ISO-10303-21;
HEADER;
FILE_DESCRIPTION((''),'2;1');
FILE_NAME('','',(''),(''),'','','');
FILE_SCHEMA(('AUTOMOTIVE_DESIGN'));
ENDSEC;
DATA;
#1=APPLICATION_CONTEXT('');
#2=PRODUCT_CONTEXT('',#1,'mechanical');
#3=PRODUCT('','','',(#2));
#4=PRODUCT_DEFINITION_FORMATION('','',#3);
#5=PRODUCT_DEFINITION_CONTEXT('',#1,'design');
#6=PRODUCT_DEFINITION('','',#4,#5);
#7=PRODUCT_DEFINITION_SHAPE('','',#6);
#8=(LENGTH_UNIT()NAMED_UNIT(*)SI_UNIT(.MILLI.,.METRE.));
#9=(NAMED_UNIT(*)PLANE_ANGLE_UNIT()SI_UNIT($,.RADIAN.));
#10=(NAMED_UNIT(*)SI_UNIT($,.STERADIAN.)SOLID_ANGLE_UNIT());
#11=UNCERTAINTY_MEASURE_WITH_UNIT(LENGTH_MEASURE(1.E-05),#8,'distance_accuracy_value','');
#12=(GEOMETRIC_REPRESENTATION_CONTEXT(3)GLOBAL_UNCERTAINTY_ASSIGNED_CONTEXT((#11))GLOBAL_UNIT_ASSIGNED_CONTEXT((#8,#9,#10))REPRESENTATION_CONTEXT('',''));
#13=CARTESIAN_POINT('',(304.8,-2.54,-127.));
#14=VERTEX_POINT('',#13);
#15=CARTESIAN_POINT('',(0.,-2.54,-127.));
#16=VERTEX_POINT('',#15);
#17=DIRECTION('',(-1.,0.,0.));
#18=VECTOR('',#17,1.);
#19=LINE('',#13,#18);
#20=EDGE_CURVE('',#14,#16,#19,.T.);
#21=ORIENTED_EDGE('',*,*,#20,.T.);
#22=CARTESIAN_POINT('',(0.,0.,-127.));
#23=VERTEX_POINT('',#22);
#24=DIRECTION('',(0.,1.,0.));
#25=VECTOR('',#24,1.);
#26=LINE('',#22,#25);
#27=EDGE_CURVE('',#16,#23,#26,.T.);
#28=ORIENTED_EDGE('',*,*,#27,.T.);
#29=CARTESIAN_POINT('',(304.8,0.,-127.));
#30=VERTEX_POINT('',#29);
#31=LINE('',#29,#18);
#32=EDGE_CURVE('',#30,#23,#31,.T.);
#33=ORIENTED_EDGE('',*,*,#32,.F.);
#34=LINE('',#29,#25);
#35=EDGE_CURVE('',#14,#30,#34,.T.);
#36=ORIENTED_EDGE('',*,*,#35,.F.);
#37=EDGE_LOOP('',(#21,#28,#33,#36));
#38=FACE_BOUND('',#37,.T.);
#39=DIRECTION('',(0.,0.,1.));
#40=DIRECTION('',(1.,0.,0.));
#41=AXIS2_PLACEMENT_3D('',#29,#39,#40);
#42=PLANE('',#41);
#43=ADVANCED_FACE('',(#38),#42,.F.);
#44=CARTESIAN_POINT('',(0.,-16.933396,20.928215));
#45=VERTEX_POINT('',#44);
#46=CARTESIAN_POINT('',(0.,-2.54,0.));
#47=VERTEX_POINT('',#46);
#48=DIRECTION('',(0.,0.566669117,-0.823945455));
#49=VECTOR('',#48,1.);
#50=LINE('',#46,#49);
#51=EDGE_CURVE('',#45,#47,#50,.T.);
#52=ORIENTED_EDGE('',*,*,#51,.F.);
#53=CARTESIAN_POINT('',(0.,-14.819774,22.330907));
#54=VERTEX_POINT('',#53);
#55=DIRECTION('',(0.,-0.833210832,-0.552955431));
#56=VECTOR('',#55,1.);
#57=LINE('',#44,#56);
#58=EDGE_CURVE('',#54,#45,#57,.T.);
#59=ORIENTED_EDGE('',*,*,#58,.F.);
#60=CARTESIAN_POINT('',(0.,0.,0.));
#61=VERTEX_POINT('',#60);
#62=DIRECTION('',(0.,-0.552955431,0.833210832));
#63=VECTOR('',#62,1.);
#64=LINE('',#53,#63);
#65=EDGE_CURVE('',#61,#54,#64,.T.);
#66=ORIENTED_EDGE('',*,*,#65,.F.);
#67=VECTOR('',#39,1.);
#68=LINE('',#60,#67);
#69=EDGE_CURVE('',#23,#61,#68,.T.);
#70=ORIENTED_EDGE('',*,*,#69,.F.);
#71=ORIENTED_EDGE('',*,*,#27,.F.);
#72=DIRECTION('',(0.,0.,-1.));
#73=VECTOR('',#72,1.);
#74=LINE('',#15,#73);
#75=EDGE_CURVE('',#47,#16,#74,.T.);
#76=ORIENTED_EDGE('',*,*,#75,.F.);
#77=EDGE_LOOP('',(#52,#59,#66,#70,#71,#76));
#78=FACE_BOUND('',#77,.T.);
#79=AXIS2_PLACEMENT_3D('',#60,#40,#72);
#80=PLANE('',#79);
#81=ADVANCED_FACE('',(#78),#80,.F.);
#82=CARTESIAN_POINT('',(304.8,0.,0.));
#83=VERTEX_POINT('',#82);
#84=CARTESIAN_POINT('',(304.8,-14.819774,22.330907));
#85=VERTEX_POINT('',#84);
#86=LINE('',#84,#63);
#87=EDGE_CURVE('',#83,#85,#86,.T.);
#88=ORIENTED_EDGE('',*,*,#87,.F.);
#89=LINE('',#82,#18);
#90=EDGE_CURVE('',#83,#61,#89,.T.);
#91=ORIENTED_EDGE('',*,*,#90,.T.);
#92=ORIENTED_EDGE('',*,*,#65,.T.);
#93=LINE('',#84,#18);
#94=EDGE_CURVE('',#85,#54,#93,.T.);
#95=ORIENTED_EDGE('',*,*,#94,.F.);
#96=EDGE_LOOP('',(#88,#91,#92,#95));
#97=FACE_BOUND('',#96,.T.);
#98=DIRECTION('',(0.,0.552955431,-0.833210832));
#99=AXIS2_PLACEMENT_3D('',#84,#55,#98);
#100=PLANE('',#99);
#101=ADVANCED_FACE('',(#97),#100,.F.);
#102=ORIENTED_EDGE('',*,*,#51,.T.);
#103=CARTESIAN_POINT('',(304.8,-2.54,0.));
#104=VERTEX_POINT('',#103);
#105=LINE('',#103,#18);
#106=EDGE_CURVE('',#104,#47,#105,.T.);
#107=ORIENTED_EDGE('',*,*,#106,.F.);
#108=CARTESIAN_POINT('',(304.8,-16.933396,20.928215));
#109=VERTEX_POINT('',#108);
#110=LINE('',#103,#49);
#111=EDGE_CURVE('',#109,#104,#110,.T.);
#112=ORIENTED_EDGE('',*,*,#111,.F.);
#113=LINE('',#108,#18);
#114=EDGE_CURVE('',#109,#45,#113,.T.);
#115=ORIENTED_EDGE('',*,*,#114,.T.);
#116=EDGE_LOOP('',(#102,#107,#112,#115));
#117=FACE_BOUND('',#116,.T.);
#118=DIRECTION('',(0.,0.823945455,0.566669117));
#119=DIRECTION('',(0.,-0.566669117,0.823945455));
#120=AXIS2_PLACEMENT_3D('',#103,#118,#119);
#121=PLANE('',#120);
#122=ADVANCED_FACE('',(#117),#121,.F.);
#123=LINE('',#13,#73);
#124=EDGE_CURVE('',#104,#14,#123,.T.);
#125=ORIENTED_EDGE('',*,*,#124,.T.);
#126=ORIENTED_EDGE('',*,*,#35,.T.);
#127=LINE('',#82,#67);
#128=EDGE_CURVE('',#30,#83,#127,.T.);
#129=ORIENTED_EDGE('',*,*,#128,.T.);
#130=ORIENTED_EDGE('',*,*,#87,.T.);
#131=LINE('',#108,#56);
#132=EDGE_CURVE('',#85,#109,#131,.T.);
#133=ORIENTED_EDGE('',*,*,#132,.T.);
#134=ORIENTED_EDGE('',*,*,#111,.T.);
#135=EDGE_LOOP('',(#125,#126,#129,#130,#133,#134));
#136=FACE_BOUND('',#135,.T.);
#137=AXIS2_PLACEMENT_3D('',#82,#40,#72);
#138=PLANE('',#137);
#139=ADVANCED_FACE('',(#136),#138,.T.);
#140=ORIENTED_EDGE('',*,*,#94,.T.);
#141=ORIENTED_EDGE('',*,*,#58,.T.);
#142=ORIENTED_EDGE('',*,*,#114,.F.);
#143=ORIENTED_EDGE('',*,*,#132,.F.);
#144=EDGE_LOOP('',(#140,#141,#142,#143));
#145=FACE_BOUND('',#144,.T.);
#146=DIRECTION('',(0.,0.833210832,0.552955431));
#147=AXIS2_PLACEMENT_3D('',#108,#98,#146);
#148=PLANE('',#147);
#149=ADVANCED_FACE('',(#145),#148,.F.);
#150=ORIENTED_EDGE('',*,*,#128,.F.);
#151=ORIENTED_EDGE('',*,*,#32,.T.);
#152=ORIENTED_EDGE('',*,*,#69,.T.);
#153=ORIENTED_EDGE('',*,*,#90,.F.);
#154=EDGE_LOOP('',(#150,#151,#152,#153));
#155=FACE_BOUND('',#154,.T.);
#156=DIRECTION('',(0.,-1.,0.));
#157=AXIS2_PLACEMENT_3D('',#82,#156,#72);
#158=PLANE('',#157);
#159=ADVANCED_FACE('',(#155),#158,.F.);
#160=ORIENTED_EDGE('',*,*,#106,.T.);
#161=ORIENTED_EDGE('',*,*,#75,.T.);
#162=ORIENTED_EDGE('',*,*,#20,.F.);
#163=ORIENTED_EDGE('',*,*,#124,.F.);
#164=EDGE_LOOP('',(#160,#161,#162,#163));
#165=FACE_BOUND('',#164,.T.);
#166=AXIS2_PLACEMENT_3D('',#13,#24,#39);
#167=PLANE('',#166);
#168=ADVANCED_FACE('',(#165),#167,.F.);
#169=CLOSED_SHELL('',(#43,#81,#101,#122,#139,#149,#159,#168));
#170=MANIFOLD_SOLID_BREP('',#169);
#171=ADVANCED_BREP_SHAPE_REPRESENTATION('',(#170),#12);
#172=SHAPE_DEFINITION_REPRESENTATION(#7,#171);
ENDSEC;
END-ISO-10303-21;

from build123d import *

# Parameters (mm, degrees)
BOSS_EXTRUDE1_DEPTH = 304.8


with BuildPart() as part:
    # Sketch1 → Boss-Extrude1 (new body)
    with BuildSketch(Plane(origin=(0, 0, 0), x_dir=(0, 0, -1), z_dir=(1, 0, 0))):
        Polygon((0, 0), (127, 0), (127, -2.54), (0, -2.54), (-20.928214549, -16.933395562), (-22.33090694, -14.819774048), align=None)
    extrude(amount=BOSS_EXTRUDE1_DEPTH)


solid = part.part
